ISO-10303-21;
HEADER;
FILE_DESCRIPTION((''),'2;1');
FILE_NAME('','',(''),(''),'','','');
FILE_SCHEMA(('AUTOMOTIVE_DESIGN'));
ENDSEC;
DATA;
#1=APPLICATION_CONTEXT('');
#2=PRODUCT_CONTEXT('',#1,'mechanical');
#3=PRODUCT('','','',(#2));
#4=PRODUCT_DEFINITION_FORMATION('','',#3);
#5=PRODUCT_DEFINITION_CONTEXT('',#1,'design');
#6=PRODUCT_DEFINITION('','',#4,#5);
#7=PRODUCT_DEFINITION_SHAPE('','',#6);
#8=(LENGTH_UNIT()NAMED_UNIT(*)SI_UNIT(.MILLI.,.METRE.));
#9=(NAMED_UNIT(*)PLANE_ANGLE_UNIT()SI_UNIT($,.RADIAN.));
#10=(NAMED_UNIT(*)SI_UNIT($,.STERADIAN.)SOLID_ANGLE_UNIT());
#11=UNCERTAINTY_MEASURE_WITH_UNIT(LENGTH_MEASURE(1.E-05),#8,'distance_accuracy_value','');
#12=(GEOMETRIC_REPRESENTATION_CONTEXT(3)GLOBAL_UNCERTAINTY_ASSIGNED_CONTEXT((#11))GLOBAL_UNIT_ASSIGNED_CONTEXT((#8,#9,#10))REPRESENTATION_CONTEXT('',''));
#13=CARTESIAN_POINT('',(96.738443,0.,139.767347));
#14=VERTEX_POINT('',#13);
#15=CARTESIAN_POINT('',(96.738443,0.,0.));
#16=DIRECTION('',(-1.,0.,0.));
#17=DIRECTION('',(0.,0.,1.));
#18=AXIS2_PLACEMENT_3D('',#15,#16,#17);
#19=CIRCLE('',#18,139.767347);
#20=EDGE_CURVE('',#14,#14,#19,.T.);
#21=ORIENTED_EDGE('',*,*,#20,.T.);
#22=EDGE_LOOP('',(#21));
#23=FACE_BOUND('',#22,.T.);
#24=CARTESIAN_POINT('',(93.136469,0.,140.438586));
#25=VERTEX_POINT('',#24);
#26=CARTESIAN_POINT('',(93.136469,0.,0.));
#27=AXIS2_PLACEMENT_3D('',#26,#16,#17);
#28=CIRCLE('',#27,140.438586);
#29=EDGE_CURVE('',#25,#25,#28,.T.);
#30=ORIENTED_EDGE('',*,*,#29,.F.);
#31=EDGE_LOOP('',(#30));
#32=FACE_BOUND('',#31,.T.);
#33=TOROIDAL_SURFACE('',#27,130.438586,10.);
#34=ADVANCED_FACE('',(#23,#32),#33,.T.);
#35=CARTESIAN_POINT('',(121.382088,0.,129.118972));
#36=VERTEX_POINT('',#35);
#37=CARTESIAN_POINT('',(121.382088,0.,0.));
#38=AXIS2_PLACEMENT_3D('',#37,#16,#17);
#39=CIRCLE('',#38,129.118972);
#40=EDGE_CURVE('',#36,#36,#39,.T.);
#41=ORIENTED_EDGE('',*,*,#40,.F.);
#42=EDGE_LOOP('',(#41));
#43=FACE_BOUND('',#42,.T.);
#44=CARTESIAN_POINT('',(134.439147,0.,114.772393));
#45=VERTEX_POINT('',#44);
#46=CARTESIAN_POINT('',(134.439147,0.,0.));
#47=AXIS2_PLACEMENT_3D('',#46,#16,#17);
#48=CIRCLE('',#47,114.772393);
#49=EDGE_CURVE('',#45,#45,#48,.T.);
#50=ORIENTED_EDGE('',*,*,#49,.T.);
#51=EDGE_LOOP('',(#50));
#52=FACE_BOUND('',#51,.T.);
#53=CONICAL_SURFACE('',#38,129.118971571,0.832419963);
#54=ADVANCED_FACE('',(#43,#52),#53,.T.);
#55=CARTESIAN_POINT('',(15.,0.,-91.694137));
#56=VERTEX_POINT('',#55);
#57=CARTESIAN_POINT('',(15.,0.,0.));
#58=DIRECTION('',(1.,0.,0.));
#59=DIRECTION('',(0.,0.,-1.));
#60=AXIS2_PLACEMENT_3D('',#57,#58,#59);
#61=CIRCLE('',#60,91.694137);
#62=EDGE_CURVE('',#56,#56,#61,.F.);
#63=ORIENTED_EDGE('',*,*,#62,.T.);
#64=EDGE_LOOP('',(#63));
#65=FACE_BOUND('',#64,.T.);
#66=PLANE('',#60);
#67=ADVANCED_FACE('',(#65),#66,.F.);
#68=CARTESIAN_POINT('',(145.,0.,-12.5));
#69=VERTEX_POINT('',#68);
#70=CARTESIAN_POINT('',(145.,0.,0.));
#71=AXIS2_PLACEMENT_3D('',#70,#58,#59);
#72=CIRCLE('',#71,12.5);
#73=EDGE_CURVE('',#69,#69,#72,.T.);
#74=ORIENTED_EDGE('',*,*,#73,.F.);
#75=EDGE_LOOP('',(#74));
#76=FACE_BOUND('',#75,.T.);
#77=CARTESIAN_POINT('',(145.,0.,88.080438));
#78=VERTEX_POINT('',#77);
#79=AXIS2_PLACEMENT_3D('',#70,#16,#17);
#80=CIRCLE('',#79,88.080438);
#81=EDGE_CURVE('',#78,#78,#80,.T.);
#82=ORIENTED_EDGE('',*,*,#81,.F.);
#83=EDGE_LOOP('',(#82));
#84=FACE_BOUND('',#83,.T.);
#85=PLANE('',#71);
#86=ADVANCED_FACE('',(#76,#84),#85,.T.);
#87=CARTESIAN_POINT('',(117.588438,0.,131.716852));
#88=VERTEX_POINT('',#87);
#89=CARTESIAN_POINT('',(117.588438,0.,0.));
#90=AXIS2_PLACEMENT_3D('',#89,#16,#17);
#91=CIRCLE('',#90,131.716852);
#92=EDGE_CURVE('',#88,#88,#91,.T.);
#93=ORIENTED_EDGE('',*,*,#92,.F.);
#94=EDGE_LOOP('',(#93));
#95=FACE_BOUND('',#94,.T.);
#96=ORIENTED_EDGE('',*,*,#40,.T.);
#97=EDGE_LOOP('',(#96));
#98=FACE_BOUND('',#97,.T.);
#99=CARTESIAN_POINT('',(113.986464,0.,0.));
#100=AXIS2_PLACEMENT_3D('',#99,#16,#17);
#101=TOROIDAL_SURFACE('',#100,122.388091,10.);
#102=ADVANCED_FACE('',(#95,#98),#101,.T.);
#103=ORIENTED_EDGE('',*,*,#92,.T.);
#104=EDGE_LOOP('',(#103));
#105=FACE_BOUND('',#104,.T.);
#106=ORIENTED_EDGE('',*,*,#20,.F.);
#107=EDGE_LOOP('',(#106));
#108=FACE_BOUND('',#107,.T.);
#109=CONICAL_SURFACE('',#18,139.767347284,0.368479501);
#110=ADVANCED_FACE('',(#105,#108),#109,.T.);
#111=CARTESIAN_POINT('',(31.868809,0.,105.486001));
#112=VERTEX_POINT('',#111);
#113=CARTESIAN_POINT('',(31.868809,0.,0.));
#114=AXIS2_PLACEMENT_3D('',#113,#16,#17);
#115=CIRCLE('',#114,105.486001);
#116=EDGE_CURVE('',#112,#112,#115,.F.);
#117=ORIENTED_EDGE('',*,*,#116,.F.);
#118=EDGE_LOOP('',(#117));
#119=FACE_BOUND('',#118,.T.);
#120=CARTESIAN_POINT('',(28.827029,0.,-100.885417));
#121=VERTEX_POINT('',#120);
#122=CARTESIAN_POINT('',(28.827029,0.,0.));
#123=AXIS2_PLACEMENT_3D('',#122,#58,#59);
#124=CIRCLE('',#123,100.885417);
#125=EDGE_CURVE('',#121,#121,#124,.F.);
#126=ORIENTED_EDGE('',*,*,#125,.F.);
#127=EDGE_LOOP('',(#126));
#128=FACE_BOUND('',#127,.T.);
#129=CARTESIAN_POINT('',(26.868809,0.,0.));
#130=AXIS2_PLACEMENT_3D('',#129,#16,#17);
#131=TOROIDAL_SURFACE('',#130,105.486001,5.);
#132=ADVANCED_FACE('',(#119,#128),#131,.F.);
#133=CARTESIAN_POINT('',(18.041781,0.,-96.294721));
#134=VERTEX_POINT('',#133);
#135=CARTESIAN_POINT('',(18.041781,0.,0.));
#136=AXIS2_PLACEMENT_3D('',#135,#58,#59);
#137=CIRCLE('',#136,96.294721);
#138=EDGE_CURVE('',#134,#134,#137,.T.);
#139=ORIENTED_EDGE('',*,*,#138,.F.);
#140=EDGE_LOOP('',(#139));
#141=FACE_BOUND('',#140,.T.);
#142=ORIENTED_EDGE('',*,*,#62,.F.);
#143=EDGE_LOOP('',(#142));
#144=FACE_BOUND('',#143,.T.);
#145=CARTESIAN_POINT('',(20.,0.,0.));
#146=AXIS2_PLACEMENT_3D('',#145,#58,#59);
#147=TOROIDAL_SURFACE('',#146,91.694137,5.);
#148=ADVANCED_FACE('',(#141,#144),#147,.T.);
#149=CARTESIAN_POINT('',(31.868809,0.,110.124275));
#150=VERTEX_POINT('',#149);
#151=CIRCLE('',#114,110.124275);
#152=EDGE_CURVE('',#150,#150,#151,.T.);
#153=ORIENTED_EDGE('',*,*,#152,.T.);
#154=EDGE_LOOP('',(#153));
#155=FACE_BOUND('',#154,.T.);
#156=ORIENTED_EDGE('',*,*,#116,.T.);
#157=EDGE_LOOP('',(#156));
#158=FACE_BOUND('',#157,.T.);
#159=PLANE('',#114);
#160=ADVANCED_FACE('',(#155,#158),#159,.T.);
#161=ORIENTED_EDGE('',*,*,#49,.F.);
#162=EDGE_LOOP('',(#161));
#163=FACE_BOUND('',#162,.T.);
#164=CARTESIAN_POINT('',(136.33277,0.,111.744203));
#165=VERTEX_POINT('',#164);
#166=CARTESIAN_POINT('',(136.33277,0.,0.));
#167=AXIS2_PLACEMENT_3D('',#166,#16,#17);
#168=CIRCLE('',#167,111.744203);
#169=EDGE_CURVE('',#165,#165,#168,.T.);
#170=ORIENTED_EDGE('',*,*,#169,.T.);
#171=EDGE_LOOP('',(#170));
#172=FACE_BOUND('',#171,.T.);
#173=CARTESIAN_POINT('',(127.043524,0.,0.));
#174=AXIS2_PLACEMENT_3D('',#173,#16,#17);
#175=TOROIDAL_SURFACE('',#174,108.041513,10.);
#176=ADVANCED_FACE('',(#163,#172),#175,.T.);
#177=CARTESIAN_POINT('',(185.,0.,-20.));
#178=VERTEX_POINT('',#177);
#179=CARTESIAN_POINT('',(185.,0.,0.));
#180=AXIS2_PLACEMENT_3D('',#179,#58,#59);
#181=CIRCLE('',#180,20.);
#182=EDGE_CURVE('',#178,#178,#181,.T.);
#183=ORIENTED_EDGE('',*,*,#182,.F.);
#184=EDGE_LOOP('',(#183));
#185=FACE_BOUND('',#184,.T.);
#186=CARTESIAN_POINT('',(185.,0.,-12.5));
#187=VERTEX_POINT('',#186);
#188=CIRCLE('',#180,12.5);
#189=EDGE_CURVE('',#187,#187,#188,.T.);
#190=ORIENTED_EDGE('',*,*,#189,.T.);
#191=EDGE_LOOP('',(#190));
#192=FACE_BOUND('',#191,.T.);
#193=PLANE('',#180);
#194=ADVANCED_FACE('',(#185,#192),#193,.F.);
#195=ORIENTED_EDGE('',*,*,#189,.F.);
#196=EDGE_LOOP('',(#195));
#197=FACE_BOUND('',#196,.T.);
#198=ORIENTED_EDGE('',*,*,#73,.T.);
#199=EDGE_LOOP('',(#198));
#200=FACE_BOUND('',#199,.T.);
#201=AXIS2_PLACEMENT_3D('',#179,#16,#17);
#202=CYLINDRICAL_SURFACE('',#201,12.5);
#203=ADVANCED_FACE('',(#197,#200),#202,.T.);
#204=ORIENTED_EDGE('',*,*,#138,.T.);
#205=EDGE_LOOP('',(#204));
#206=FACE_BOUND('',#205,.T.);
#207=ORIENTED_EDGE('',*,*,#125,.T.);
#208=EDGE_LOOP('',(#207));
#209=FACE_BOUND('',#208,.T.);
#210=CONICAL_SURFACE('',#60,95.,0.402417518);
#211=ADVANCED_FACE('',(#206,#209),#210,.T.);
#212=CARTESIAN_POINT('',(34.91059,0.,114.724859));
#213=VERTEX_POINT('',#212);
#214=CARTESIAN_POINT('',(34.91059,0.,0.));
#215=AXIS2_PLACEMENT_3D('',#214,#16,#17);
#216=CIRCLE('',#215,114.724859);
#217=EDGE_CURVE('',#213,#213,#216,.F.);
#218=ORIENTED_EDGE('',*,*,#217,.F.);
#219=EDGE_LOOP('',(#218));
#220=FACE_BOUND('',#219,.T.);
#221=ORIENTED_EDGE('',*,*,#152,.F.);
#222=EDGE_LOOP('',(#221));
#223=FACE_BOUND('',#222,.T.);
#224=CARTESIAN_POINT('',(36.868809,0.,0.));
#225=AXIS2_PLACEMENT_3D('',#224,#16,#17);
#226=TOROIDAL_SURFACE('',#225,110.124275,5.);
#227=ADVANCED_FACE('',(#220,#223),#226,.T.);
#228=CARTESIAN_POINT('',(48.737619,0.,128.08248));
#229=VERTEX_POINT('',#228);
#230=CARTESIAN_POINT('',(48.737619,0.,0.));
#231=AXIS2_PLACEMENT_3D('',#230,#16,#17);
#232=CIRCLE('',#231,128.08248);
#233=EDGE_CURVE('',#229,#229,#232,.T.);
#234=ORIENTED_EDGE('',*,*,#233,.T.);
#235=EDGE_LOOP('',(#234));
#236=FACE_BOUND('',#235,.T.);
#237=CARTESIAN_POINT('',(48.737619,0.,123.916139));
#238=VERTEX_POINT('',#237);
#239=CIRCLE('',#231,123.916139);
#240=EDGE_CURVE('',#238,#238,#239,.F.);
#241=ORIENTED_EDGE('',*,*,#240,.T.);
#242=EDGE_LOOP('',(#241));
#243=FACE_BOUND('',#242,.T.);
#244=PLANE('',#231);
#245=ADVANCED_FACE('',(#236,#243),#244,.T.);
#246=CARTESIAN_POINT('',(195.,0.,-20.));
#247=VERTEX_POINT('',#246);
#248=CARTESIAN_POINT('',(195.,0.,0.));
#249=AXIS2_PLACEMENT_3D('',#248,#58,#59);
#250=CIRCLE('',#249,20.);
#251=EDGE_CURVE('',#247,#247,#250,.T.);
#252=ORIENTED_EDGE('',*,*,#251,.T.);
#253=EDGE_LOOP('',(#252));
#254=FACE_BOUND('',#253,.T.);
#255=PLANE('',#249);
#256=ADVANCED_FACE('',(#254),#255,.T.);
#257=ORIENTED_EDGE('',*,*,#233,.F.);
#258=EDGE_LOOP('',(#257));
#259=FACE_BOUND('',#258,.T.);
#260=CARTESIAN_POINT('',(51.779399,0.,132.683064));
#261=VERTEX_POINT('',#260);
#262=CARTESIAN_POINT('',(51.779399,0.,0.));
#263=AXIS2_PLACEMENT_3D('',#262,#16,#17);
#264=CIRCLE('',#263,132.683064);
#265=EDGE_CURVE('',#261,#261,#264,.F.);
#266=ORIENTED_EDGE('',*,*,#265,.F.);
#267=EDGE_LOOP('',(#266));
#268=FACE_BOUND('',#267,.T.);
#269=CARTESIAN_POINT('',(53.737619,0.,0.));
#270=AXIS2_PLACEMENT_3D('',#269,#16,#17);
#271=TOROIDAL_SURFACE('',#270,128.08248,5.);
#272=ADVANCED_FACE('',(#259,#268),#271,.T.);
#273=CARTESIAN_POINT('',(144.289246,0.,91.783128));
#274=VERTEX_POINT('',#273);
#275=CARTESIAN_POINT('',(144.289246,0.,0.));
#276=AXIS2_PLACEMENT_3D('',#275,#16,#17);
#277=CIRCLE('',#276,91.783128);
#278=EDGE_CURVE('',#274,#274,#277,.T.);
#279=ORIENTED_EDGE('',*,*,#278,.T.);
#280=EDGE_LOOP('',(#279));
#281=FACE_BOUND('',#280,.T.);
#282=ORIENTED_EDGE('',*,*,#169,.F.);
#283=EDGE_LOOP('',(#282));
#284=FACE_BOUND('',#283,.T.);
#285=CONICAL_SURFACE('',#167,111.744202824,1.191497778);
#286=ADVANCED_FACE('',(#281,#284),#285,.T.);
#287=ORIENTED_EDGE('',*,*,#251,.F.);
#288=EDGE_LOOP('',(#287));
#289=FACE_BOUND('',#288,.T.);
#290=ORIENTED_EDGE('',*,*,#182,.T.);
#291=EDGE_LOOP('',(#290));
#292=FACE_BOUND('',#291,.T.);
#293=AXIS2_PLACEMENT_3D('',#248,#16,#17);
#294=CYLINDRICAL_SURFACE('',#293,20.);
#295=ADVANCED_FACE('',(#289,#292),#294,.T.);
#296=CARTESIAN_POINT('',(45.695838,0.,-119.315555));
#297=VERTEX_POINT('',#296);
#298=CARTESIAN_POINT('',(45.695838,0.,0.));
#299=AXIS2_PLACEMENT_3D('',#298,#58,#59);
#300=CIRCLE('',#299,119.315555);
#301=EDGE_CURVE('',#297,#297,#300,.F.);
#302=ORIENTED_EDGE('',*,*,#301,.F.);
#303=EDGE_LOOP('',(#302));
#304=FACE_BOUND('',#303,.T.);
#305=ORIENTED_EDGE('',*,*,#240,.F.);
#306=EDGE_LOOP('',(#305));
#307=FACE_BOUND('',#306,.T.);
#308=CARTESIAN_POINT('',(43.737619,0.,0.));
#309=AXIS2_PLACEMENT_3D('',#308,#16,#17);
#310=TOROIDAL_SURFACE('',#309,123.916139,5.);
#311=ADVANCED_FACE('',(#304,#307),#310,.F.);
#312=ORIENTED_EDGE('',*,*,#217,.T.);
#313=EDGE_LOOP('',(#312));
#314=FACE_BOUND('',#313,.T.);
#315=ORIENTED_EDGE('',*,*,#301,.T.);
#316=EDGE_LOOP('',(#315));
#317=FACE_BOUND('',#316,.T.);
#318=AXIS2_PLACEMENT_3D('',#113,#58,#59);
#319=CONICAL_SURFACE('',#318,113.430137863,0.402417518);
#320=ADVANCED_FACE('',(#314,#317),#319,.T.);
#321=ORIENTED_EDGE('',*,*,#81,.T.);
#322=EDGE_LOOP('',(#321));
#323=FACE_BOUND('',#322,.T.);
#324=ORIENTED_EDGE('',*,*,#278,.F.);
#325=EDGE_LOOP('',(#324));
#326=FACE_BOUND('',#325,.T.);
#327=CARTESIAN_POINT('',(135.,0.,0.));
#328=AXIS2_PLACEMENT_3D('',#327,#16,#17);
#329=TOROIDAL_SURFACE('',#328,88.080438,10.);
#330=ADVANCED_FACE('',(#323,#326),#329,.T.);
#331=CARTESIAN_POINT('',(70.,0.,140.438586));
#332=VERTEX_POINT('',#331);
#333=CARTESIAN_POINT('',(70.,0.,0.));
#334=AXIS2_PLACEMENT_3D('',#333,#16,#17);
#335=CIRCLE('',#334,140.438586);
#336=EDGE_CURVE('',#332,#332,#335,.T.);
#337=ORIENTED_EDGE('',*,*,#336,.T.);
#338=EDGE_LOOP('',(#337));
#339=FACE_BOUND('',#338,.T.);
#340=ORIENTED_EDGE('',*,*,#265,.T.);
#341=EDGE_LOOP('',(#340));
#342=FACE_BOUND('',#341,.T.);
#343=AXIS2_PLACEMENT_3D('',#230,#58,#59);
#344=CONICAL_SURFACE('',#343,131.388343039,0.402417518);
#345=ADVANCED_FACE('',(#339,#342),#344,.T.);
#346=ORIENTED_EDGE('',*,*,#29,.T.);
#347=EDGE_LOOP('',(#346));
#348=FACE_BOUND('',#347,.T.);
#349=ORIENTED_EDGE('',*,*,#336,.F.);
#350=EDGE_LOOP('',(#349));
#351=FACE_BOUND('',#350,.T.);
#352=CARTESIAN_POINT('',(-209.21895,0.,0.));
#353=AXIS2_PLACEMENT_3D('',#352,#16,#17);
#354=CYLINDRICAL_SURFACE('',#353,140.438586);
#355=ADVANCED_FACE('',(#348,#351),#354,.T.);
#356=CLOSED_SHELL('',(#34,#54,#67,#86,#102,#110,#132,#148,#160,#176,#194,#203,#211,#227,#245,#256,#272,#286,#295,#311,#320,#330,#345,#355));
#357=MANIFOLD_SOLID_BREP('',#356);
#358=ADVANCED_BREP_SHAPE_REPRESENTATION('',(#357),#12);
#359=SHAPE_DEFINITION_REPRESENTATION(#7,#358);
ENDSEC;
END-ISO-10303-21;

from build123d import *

# Parameters (mm, degrees)
REDONDEO3_R             = 5
CROQUIS2_R              = 12.5
SALIENTE_EXTRUIR1_DEPTH = 40
CROQUIS3_R              = 20
SALIENTE_EXTRUIR2_DEPTH = 10


with BuildPart() as part:
    # Croquis1 → Revolución1 (revolve)
    with BuildSketch(Plane(origin=(0, 0, 0), x_dir=(1, 0, 0), z_dir=(0, 1, 0))):
        with BuildLine():
            Line((93.136469217, 140.438586249), (70, 140.438586249))
            Line((70, 140.438586249), (48.737618848, 131.388343039))
            Line((48.737618848, 131.388343039), (48.737618848, 120.610275725))
            Line((48.737618848, 120.610275725), (31.868809424, 113.430137863))
            Line((31.868809424, 113.430137863), (31.868809424, 102.180137863))
            Line((31.868809424, 102.180137863), (15, 95))
            Line((15, 95), (15, 0))
            Line((15, 0), (70, 0))
            Line((70, 0), (145, 0))
            Line((145, 0), (145, 88.080438356))
            ThreePointArc((145, 88.080438356), (144.820704123, 89.965583051), (144.289245896, 91.783128012))
            Line((144.289245896, 91.783128012), (136.332769552, 111.744202824))
            ThreePointArc((136.332769552, 111.744202824), (135.522244312, 113.34352185), (134.43914749, 114.772393358))
            Line((134.43914749, 114.772393358), (121.382088175, 129.118971571))
            ThreePointArc((121.382088175, 129.118971571), (119.636600305, 130.638907317), (117.588438461, 131.716852417))
            Line((117.588438461, 131.716852417), (96.738443336, 139.767347284))
            ThreePointArc((96.738443336, 139.767347284), (94.968461254, 140.269344367), (93.136469217, 140.438586249))
        make_face()
    revolve(axis=Axis((-209.218950064, 0, 0), (1, 0, 0)))

    # Redondeo3
    redondeo3_edges = [part.edges().sort_by_distance(p)[0] for p in [
        (15, 0, 95),
        (31.868809424, 0, 102.180137863),
        (31.868809424, 0, 113.430137863),
        (48.737618848, 0, 120.610275725),
        (48.737618848, 0, 131.388343039),
    ]]
    fillet(redondeo3_edges, radius=REDONDEO3_R)

    # Croquis2 → Saliente-Extruir1 (add)
    with BuildSketch(Plane(origin=(145, 0, 0), x_dir=(0, 0, -1), z_dir=(1, 0, 0))):
        Circle(CROQUIS2_R)
    extrude(amount=SALIENTE_EXTRUIR1_DEPTH)

    # Croquis3 → Saliente-Extruir2 (add)
    with BuildSketch(Plane(origin=(185, 0, 0), x_dir=(0, 0, -1), z_dir=(1, 0, 0))):
        Circle(CROQUIS3_R)
    extrude(amount=SALIENTE_EXTRUIR2_DEPTH)


solid = part.part
